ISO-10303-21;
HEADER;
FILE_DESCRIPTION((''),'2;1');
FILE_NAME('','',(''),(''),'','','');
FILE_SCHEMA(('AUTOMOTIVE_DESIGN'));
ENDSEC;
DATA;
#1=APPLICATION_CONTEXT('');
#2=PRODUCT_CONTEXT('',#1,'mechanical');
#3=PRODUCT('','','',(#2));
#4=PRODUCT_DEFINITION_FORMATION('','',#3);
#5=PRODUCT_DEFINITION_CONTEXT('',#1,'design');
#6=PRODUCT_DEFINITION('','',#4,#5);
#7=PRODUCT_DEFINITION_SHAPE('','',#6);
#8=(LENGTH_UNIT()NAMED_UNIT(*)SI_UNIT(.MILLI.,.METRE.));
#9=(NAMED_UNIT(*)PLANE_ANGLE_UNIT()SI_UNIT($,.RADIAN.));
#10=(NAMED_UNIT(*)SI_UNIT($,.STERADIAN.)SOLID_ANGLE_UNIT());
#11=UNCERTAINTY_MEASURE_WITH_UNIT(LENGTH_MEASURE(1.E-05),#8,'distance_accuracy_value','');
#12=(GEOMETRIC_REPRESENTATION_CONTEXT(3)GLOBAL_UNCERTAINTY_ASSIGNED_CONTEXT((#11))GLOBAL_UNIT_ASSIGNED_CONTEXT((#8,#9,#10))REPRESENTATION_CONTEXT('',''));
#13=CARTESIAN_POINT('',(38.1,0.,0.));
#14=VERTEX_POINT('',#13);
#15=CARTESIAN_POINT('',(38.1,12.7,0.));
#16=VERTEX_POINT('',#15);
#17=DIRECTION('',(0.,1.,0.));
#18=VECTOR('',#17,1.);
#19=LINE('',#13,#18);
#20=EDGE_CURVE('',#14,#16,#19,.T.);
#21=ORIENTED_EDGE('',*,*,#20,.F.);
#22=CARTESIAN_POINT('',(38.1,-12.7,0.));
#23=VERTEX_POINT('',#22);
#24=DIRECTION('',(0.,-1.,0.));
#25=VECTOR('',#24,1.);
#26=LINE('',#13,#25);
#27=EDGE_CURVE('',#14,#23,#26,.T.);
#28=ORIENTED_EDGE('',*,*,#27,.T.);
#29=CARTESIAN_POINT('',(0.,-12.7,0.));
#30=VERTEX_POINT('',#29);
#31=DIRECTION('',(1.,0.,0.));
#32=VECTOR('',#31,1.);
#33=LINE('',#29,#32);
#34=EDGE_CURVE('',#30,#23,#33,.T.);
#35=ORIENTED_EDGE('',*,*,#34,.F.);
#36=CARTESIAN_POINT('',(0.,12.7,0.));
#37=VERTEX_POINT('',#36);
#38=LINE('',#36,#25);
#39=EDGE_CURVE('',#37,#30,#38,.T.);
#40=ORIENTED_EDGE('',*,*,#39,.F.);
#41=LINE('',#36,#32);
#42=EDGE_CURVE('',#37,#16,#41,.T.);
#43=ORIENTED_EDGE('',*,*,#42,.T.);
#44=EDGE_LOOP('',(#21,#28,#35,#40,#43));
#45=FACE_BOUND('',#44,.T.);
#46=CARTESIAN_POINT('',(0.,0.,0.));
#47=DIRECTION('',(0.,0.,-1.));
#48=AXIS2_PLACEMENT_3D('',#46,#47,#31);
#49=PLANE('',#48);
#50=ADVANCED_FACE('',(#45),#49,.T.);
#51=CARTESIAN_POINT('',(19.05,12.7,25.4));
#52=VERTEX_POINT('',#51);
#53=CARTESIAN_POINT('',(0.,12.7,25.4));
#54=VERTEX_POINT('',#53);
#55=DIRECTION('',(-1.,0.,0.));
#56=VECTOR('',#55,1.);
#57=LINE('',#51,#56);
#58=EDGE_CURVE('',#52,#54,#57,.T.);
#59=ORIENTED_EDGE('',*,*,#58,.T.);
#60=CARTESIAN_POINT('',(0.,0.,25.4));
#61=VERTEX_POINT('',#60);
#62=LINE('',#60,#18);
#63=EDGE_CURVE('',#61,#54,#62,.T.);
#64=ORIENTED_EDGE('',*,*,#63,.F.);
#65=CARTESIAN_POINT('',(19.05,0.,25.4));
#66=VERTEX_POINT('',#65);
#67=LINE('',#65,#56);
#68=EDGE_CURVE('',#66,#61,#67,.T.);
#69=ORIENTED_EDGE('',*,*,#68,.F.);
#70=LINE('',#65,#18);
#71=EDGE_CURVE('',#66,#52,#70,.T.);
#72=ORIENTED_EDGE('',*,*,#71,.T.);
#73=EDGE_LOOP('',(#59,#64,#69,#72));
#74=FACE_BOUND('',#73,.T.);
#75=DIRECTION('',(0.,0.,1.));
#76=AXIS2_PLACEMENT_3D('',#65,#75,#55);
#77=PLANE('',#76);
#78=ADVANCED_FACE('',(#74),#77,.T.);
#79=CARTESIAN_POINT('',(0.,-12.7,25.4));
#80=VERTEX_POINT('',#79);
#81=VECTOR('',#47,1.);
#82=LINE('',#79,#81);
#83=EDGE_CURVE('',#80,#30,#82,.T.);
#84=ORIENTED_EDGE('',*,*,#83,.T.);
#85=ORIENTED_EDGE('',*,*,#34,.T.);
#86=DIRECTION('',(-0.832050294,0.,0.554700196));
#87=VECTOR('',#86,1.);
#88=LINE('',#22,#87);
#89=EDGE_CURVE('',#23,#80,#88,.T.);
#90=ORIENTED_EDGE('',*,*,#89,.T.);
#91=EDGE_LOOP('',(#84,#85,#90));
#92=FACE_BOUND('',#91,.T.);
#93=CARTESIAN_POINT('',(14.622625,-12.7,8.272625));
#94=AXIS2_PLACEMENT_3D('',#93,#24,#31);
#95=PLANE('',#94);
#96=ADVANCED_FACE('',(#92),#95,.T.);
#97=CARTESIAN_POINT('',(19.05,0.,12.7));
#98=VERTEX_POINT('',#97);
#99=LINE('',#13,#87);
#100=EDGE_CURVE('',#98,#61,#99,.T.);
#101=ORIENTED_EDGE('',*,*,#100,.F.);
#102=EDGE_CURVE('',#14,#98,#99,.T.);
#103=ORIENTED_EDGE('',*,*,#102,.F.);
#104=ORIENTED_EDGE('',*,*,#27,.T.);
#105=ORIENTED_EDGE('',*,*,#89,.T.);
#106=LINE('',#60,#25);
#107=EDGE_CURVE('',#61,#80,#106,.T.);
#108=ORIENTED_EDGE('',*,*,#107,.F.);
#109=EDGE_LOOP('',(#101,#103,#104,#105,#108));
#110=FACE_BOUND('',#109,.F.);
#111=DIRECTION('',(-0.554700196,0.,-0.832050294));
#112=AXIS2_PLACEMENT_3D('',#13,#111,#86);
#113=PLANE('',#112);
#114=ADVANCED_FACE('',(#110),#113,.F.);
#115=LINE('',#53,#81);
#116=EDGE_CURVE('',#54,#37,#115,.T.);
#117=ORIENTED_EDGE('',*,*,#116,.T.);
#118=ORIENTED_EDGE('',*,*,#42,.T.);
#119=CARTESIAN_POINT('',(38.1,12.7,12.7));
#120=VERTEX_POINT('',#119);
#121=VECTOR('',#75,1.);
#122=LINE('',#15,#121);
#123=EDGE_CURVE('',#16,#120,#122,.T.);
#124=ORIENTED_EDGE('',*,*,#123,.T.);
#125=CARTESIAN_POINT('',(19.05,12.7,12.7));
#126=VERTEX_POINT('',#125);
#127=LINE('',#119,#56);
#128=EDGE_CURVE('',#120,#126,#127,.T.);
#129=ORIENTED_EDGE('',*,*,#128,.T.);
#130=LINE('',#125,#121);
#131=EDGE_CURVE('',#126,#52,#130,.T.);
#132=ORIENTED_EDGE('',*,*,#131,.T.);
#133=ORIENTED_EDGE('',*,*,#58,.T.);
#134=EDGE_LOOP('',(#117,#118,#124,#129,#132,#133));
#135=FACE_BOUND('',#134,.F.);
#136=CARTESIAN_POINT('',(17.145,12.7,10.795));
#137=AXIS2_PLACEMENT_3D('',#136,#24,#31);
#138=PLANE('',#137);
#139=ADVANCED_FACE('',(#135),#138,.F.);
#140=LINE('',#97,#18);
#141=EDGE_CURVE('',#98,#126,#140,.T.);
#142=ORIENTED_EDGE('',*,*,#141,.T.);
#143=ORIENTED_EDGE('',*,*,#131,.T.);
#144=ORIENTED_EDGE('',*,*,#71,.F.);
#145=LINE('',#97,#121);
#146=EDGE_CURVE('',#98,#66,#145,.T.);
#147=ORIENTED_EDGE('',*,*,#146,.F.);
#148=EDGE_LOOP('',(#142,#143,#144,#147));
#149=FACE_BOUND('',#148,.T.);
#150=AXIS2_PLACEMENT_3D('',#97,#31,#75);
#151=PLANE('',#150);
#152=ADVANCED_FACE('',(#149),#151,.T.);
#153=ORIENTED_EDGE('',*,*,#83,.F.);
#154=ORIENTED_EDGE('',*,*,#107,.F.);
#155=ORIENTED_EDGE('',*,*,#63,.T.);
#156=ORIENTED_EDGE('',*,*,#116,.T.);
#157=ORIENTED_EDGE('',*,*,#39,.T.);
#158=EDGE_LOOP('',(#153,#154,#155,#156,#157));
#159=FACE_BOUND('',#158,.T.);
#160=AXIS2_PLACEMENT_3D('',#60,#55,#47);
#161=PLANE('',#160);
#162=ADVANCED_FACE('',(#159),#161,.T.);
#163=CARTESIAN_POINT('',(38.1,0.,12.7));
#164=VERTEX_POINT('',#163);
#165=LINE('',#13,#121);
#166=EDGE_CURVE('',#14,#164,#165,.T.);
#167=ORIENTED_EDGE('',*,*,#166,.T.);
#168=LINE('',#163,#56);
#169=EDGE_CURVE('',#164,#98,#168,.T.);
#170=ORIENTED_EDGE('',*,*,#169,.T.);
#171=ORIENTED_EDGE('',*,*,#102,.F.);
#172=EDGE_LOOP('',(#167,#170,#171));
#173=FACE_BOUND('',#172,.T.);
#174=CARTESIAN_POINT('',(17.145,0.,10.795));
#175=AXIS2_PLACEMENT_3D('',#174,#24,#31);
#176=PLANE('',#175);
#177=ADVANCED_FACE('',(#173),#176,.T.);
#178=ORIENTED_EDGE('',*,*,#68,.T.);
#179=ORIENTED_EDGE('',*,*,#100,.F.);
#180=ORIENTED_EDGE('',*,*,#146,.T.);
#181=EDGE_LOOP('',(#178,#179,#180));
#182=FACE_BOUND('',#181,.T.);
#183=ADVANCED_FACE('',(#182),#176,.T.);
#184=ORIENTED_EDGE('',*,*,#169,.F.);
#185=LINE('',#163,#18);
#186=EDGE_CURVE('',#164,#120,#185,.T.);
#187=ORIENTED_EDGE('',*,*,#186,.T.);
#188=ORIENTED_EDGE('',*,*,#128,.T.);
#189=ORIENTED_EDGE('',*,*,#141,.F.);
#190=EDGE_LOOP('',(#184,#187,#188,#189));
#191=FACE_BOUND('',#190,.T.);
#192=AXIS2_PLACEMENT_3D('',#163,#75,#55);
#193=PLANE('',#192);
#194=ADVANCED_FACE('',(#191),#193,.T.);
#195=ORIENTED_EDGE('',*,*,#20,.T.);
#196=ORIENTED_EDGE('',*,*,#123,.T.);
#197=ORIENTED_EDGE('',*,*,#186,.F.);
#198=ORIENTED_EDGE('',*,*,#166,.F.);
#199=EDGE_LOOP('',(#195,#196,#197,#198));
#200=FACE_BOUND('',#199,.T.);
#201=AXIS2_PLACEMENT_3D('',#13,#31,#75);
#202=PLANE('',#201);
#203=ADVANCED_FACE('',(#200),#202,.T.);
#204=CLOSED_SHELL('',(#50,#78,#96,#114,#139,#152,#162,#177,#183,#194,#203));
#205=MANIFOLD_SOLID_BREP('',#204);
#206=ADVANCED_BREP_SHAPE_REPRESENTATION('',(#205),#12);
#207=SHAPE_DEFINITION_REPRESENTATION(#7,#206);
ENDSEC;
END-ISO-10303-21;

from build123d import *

# Parameters (mm, degrees)
F1_DEPTH = 12.7
F3_DEPTH = 12.7


with BuildPart() as f1:
    # F0 (on Front) → F1 (new body)
    with BuildSketch(Plane.XZ):
        Polygon((0, 25.4), (0, 0), (38.1, 0), align=None)
    extrude(amount=F1_DEPTH)

    # F2 (on Front) → F3 (join)
    with BuildSketch(Plane.XZ):
        Polygon((19.05, 25.4), (0, 25.4), (0, 0), (38.1, 0), (38.1, 12.7), (19.05, 12.7), align=None)
    extrude(amount=-F3_DEPTH)


solid = f1.part
